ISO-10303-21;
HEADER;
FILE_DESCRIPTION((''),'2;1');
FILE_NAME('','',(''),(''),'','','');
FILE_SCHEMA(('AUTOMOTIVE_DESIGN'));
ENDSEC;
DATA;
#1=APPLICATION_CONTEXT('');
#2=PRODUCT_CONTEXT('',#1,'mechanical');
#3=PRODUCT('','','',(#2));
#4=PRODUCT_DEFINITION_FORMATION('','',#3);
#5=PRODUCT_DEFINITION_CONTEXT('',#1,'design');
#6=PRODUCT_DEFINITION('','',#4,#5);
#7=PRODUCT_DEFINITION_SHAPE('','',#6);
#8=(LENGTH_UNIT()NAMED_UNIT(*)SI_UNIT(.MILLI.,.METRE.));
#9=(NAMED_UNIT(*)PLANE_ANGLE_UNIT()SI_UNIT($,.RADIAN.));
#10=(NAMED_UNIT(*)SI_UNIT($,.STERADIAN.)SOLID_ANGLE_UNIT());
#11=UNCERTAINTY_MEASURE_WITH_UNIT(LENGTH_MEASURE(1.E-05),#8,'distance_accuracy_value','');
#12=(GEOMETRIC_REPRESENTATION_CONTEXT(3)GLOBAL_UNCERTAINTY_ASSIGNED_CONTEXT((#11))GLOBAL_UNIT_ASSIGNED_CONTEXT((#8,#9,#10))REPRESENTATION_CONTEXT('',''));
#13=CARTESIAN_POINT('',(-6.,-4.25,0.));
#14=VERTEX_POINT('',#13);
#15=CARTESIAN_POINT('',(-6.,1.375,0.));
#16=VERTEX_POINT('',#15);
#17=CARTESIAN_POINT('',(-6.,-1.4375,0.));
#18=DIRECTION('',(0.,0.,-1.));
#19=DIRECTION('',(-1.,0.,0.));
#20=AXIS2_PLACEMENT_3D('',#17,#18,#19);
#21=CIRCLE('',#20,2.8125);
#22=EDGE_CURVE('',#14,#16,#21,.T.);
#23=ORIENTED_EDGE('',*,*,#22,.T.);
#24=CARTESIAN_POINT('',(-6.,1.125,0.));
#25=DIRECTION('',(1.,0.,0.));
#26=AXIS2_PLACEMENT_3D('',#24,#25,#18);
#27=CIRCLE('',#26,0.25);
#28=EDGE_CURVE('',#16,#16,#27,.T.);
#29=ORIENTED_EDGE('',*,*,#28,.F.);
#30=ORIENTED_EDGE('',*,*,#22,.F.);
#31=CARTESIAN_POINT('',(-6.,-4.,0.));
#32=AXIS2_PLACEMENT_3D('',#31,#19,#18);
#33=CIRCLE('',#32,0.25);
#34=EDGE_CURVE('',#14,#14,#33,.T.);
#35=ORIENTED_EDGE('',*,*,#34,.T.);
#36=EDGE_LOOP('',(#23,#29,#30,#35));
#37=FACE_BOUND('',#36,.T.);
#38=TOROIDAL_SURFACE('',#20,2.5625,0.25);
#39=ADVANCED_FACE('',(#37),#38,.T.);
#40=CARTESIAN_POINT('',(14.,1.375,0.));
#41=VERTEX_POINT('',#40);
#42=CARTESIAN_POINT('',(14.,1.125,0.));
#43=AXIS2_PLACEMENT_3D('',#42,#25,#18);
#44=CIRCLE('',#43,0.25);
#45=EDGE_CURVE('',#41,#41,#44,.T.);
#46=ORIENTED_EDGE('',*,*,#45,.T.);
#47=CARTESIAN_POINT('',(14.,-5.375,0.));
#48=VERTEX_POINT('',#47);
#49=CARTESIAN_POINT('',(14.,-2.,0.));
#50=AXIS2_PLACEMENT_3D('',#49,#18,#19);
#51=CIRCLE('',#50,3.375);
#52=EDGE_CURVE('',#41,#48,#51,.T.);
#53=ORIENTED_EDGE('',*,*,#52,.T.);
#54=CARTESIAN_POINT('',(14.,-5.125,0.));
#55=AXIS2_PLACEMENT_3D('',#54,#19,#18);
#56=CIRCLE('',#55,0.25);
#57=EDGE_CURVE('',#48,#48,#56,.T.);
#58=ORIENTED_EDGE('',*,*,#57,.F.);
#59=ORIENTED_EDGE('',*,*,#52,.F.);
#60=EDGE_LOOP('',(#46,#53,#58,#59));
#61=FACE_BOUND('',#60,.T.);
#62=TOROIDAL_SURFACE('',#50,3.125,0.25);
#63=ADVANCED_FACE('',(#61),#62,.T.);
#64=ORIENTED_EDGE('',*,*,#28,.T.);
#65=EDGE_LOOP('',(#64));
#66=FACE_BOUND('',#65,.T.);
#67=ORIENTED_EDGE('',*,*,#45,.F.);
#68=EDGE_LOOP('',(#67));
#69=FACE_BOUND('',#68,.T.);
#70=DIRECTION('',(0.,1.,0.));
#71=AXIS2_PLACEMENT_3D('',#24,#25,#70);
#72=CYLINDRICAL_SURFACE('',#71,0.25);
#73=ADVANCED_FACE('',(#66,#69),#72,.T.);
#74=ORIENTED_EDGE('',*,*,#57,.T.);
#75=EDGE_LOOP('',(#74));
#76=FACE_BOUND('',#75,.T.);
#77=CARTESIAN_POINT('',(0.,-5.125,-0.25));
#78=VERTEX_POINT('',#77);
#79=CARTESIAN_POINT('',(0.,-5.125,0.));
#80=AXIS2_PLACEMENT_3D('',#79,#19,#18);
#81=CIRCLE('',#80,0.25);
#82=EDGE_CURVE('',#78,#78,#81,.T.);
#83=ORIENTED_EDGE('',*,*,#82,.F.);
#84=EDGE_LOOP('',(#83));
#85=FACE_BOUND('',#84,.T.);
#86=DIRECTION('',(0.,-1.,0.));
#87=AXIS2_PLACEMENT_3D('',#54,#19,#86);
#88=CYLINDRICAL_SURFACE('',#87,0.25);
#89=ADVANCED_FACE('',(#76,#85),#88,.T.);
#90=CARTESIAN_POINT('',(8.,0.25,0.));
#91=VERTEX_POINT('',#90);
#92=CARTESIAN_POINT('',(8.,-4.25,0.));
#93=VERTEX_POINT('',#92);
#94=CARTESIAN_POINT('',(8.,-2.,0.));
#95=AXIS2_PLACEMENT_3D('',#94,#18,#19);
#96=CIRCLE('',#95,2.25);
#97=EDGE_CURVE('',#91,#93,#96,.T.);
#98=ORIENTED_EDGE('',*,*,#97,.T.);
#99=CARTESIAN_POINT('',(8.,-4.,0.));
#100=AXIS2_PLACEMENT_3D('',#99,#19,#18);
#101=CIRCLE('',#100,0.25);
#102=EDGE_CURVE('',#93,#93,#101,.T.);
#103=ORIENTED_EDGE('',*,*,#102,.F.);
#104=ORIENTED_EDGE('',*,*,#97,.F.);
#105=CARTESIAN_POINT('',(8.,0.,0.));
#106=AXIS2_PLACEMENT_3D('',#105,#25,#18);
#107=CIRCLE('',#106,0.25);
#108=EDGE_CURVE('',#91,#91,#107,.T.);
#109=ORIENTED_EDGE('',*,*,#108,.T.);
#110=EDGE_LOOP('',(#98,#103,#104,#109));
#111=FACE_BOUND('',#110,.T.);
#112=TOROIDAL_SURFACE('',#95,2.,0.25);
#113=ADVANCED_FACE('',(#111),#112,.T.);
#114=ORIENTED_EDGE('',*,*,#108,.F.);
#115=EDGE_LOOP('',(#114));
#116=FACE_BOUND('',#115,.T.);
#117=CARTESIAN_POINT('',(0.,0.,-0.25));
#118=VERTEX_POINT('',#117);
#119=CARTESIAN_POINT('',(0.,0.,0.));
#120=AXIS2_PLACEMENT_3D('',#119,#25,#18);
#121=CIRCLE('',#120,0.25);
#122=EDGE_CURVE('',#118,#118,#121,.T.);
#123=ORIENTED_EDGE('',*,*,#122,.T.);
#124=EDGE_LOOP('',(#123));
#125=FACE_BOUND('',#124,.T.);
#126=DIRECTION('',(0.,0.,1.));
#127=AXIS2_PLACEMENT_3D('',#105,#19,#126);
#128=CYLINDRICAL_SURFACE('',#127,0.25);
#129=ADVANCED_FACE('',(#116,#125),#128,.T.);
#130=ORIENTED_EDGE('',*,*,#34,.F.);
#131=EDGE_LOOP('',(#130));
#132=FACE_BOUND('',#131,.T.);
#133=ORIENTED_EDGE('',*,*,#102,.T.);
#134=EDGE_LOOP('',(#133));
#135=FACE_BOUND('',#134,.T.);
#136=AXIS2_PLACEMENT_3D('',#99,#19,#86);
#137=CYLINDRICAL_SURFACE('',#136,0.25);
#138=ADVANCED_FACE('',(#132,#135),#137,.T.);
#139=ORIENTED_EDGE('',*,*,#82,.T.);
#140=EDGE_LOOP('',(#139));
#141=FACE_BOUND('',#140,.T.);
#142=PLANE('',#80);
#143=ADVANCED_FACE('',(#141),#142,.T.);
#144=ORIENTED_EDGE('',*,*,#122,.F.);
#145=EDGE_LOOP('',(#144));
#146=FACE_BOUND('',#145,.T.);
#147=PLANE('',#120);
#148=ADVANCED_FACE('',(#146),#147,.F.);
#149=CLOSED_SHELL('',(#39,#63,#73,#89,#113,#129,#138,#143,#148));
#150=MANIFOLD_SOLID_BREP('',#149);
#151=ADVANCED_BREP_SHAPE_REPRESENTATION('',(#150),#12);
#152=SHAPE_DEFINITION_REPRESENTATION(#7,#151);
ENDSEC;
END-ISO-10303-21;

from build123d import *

# Parameters (mm, degrees)
SKETCH2_R = 0.25


with BuildPart() as part:
    # Sweep2: sweep along a path in Sketch1
    with BuildLine(Plane.XY) as sweep2_path:
        Line((0, 0), (8, 0))
        ThreePointArc((8, 0), (10, -2), (8, -4))
        Line((8, -4), (-6, -4))
        ThreePointArc((-6, -4), (-8.5625, -1.4375), (-6, 1.125))
        Line((-6, 1.125), (14, 1.125))
        ThreePointArc((14, 1.125), (17.125, -2), (14, -5.125))
        Line((14, -5.125), (0, -5.125))
    # Sketch2 → Sweep2 (sweep)
    with BuildSketch(Plane(origin=(0, 0, 0), x_dir=(0, 0, -1), z_dir=(1, 0, 0))):
        Circle(SKETCH2_R)
    sweep(path=sweep2_path.line)


solid = part.part
